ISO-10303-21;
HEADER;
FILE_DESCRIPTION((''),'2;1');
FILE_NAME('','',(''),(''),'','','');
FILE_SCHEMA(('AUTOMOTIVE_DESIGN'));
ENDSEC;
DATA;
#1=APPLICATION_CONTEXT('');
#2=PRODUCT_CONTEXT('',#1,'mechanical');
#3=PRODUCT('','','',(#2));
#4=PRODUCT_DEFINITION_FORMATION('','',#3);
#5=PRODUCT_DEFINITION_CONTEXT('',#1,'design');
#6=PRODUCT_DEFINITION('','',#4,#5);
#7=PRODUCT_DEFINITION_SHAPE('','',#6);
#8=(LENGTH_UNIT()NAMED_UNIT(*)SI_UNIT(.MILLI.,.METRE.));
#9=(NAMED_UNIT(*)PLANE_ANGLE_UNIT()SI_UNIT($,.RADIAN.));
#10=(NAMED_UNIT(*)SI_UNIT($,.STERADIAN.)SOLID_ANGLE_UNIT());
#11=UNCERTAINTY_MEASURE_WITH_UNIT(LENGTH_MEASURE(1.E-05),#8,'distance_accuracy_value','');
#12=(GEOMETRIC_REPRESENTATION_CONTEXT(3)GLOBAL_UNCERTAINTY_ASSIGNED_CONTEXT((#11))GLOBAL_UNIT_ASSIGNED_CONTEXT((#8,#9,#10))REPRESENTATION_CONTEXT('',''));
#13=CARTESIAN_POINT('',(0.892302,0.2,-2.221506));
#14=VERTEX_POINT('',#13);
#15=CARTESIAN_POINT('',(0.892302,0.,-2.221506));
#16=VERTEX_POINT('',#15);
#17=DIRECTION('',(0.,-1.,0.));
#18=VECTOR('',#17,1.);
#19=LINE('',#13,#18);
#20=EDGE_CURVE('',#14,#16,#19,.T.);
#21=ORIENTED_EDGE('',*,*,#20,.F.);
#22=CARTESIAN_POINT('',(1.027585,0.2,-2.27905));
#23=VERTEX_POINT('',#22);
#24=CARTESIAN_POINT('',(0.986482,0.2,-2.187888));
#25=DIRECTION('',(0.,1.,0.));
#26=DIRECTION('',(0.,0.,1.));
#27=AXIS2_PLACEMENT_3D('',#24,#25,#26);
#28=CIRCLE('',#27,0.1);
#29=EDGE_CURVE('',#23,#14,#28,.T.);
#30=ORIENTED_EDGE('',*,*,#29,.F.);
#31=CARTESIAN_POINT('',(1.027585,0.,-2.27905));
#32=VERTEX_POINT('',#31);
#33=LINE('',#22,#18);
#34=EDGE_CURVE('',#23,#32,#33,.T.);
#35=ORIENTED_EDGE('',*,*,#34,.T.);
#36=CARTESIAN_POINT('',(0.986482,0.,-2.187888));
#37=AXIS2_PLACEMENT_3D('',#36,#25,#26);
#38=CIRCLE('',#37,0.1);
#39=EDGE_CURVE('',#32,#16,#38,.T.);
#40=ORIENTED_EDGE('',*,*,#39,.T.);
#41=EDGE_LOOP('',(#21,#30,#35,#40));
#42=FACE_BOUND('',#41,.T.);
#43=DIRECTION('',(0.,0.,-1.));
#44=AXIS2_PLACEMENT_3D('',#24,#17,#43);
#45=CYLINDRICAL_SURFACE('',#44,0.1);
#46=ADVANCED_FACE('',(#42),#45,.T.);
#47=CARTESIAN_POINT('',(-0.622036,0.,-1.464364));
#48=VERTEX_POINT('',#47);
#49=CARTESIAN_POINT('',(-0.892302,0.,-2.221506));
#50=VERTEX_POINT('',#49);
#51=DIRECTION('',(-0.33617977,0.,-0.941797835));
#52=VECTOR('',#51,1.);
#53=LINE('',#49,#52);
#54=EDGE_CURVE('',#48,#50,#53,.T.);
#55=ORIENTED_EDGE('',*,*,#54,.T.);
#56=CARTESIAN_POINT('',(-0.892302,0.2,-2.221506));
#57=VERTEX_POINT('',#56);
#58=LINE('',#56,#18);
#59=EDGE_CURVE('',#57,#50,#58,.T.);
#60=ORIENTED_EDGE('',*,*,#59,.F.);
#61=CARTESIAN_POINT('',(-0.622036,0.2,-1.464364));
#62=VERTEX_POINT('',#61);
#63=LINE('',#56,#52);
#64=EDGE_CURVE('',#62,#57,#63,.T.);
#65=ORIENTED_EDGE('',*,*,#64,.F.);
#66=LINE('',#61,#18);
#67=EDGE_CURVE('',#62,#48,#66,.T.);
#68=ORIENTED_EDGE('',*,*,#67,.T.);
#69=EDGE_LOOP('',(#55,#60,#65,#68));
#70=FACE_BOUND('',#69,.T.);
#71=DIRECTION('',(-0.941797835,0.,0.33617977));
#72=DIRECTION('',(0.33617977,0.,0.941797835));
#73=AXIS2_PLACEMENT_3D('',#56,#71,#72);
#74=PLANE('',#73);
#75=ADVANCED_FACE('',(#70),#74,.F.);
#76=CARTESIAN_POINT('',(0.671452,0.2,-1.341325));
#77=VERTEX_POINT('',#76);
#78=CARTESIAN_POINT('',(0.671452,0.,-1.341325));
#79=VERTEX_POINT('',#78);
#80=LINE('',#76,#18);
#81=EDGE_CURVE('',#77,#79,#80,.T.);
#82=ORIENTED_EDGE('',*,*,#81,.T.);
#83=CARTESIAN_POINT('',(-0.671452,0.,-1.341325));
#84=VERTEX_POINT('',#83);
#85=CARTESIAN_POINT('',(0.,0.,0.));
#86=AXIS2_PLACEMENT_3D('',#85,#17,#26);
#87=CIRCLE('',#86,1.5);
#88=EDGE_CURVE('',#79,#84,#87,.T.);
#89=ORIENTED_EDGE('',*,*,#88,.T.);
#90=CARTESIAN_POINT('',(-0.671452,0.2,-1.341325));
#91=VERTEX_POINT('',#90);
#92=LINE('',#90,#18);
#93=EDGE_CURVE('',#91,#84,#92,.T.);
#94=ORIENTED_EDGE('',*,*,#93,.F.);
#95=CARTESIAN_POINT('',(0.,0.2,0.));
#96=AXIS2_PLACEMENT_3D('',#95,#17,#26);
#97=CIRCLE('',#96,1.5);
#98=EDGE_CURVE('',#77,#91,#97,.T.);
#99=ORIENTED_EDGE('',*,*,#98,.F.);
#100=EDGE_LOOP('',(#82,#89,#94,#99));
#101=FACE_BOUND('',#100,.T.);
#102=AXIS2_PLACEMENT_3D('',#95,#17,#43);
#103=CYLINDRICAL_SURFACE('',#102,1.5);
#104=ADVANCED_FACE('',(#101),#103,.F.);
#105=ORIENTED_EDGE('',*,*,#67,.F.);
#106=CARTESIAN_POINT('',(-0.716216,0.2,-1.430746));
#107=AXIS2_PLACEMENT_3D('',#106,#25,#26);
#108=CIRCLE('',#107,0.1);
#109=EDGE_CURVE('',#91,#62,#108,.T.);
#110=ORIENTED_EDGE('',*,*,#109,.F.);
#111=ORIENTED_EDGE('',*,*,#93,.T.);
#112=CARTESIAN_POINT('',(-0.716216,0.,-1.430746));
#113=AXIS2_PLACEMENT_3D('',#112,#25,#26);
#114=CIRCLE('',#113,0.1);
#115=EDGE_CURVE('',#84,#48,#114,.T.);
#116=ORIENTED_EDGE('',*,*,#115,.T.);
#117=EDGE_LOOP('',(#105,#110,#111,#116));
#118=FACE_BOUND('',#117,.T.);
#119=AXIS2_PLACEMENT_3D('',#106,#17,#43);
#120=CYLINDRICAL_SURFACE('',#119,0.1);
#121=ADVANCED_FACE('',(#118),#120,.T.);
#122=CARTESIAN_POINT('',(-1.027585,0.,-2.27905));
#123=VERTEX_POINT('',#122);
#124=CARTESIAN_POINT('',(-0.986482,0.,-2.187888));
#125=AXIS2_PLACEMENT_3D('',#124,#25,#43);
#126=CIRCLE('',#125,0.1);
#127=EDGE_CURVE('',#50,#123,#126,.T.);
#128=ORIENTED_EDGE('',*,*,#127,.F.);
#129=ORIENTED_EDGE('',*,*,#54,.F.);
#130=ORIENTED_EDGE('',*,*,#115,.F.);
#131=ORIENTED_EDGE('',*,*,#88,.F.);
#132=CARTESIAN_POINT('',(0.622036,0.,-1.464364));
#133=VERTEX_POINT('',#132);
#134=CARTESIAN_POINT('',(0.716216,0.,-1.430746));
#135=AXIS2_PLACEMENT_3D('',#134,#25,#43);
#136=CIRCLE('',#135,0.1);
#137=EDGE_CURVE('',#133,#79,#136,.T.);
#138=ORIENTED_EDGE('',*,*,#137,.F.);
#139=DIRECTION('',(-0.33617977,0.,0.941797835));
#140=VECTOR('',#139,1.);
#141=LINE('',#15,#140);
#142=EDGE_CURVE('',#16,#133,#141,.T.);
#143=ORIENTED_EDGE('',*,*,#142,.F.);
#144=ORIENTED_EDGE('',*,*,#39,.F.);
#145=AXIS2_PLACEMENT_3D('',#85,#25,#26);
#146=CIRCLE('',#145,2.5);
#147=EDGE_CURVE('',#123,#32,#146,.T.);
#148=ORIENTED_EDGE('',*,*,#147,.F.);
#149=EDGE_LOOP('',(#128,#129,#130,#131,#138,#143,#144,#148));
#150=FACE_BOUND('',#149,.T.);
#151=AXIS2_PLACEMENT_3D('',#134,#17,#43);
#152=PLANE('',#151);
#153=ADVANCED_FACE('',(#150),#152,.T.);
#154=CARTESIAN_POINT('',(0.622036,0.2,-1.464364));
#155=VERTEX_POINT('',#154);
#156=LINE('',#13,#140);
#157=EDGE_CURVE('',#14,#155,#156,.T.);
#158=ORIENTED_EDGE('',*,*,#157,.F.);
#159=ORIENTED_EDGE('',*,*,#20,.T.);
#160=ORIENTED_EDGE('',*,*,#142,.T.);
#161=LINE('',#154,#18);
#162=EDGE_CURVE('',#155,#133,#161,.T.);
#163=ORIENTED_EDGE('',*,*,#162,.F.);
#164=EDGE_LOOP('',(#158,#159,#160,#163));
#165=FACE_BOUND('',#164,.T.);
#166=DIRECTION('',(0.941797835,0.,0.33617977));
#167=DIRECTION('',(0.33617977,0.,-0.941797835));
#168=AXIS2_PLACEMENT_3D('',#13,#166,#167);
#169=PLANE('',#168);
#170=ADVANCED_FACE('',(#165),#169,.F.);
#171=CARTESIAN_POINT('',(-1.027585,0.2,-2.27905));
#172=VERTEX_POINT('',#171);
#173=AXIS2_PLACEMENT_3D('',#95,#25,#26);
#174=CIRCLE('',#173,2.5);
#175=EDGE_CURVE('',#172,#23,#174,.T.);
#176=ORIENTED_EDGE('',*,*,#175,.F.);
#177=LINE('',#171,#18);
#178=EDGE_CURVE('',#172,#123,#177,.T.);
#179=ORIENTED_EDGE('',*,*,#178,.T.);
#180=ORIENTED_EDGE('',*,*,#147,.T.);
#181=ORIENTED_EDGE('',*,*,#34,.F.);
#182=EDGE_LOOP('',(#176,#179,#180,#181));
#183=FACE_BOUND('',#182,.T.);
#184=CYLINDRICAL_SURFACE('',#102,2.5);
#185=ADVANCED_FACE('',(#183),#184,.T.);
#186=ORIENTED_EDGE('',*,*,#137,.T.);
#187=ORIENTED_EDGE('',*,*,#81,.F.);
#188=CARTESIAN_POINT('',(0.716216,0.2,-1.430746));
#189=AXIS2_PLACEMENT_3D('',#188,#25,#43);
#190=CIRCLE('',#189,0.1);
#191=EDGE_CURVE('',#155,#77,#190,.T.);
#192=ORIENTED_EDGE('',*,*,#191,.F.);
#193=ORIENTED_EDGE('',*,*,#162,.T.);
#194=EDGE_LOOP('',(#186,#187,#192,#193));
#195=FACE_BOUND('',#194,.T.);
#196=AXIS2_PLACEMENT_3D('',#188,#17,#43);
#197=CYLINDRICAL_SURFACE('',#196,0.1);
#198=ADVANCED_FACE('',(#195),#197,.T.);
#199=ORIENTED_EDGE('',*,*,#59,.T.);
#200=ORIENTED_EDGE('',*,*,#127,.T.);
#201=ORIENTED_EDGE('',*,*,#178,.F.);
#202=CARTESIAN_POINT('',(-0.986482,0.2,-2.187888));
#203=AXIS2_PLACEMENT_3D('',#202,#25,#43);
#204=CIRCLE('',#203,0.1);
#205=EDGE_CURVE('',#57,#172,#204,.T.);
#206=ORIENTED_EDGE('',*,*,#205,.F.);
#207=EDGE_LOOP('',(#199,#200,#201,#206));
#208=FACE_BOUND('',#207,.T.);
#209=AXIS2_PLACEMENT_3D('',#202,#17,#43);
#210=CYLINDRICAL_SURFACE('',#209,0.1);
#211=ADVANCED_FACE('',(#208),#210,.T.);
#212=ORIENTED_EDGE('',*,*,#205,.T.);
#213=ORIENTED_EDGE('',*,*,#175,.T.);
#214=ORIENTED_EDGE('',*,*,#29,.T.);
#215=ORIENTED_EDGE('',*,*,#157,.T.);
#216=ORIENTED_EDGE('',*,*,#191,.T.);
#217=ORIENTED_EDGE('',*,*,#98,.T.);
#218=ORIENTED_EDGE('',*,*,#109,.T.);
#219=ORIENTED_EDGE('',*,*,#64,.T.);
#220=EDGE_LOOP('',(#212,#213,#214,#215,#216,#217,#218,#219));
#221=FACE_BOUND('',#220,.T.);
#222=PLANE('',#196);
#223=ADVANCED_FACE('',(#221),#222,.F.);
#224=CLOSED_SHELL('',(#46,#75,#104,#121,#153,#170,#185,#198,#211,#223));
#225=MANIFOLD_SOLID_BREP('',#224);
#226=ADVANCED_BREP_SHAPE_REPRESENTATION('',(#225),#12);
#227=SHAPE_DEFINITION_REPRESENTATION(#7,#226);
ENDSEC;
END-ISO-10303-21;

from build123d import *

# Parameters (mm, degrees)
BOSS_EXTRUDE1_DEPTH = 0.2


with BuildPart() as part:
    # Sketch4 → Boss-Extrude1 (new body)
    with BuildSketch(Plane(origin=(0, 0, 0), x_dir=(1, 0, 0), z_dir=(0, 1, 0))):
        with BuildLine():
            Line((-0.892301784, 2.221506026), (-0.62203599, 1.464364274))
            ThreePointArc((-0.62203599, 1.464364274), (-0.623420326, 1.393476941), (-0.671452287, 1.341324653))
            ThreePointArc((-0.671452287, 1.341324653), (0, -1.5), (0.671452287, 1.341324653))
            ThreePointArc((0.671452287, 1.341324653), (0.623420326, 1.393476941), (0.62203599, 1.464364274))
            Line((0.62203599, 1.464364274), (0.892301784, 2.221506026))
            ThreePointArc((0.892301784, 2.221506026), (0.947339463, 2.279909219), (1.027584966, 2.279050052))
            ThreePointArc((1.027584966, 2.279050052), (0, -2.5), (-1.027584966, 2.279050052))
            ThreePointArc((-1.027584966, 2.279050052), (-0.947339463, 2.279909219), (-0.892301784, 2.221506026))
        make_face()
    extrude(amount=BOSS_EXTRUDE1_DEPTH)


solid = part.part
